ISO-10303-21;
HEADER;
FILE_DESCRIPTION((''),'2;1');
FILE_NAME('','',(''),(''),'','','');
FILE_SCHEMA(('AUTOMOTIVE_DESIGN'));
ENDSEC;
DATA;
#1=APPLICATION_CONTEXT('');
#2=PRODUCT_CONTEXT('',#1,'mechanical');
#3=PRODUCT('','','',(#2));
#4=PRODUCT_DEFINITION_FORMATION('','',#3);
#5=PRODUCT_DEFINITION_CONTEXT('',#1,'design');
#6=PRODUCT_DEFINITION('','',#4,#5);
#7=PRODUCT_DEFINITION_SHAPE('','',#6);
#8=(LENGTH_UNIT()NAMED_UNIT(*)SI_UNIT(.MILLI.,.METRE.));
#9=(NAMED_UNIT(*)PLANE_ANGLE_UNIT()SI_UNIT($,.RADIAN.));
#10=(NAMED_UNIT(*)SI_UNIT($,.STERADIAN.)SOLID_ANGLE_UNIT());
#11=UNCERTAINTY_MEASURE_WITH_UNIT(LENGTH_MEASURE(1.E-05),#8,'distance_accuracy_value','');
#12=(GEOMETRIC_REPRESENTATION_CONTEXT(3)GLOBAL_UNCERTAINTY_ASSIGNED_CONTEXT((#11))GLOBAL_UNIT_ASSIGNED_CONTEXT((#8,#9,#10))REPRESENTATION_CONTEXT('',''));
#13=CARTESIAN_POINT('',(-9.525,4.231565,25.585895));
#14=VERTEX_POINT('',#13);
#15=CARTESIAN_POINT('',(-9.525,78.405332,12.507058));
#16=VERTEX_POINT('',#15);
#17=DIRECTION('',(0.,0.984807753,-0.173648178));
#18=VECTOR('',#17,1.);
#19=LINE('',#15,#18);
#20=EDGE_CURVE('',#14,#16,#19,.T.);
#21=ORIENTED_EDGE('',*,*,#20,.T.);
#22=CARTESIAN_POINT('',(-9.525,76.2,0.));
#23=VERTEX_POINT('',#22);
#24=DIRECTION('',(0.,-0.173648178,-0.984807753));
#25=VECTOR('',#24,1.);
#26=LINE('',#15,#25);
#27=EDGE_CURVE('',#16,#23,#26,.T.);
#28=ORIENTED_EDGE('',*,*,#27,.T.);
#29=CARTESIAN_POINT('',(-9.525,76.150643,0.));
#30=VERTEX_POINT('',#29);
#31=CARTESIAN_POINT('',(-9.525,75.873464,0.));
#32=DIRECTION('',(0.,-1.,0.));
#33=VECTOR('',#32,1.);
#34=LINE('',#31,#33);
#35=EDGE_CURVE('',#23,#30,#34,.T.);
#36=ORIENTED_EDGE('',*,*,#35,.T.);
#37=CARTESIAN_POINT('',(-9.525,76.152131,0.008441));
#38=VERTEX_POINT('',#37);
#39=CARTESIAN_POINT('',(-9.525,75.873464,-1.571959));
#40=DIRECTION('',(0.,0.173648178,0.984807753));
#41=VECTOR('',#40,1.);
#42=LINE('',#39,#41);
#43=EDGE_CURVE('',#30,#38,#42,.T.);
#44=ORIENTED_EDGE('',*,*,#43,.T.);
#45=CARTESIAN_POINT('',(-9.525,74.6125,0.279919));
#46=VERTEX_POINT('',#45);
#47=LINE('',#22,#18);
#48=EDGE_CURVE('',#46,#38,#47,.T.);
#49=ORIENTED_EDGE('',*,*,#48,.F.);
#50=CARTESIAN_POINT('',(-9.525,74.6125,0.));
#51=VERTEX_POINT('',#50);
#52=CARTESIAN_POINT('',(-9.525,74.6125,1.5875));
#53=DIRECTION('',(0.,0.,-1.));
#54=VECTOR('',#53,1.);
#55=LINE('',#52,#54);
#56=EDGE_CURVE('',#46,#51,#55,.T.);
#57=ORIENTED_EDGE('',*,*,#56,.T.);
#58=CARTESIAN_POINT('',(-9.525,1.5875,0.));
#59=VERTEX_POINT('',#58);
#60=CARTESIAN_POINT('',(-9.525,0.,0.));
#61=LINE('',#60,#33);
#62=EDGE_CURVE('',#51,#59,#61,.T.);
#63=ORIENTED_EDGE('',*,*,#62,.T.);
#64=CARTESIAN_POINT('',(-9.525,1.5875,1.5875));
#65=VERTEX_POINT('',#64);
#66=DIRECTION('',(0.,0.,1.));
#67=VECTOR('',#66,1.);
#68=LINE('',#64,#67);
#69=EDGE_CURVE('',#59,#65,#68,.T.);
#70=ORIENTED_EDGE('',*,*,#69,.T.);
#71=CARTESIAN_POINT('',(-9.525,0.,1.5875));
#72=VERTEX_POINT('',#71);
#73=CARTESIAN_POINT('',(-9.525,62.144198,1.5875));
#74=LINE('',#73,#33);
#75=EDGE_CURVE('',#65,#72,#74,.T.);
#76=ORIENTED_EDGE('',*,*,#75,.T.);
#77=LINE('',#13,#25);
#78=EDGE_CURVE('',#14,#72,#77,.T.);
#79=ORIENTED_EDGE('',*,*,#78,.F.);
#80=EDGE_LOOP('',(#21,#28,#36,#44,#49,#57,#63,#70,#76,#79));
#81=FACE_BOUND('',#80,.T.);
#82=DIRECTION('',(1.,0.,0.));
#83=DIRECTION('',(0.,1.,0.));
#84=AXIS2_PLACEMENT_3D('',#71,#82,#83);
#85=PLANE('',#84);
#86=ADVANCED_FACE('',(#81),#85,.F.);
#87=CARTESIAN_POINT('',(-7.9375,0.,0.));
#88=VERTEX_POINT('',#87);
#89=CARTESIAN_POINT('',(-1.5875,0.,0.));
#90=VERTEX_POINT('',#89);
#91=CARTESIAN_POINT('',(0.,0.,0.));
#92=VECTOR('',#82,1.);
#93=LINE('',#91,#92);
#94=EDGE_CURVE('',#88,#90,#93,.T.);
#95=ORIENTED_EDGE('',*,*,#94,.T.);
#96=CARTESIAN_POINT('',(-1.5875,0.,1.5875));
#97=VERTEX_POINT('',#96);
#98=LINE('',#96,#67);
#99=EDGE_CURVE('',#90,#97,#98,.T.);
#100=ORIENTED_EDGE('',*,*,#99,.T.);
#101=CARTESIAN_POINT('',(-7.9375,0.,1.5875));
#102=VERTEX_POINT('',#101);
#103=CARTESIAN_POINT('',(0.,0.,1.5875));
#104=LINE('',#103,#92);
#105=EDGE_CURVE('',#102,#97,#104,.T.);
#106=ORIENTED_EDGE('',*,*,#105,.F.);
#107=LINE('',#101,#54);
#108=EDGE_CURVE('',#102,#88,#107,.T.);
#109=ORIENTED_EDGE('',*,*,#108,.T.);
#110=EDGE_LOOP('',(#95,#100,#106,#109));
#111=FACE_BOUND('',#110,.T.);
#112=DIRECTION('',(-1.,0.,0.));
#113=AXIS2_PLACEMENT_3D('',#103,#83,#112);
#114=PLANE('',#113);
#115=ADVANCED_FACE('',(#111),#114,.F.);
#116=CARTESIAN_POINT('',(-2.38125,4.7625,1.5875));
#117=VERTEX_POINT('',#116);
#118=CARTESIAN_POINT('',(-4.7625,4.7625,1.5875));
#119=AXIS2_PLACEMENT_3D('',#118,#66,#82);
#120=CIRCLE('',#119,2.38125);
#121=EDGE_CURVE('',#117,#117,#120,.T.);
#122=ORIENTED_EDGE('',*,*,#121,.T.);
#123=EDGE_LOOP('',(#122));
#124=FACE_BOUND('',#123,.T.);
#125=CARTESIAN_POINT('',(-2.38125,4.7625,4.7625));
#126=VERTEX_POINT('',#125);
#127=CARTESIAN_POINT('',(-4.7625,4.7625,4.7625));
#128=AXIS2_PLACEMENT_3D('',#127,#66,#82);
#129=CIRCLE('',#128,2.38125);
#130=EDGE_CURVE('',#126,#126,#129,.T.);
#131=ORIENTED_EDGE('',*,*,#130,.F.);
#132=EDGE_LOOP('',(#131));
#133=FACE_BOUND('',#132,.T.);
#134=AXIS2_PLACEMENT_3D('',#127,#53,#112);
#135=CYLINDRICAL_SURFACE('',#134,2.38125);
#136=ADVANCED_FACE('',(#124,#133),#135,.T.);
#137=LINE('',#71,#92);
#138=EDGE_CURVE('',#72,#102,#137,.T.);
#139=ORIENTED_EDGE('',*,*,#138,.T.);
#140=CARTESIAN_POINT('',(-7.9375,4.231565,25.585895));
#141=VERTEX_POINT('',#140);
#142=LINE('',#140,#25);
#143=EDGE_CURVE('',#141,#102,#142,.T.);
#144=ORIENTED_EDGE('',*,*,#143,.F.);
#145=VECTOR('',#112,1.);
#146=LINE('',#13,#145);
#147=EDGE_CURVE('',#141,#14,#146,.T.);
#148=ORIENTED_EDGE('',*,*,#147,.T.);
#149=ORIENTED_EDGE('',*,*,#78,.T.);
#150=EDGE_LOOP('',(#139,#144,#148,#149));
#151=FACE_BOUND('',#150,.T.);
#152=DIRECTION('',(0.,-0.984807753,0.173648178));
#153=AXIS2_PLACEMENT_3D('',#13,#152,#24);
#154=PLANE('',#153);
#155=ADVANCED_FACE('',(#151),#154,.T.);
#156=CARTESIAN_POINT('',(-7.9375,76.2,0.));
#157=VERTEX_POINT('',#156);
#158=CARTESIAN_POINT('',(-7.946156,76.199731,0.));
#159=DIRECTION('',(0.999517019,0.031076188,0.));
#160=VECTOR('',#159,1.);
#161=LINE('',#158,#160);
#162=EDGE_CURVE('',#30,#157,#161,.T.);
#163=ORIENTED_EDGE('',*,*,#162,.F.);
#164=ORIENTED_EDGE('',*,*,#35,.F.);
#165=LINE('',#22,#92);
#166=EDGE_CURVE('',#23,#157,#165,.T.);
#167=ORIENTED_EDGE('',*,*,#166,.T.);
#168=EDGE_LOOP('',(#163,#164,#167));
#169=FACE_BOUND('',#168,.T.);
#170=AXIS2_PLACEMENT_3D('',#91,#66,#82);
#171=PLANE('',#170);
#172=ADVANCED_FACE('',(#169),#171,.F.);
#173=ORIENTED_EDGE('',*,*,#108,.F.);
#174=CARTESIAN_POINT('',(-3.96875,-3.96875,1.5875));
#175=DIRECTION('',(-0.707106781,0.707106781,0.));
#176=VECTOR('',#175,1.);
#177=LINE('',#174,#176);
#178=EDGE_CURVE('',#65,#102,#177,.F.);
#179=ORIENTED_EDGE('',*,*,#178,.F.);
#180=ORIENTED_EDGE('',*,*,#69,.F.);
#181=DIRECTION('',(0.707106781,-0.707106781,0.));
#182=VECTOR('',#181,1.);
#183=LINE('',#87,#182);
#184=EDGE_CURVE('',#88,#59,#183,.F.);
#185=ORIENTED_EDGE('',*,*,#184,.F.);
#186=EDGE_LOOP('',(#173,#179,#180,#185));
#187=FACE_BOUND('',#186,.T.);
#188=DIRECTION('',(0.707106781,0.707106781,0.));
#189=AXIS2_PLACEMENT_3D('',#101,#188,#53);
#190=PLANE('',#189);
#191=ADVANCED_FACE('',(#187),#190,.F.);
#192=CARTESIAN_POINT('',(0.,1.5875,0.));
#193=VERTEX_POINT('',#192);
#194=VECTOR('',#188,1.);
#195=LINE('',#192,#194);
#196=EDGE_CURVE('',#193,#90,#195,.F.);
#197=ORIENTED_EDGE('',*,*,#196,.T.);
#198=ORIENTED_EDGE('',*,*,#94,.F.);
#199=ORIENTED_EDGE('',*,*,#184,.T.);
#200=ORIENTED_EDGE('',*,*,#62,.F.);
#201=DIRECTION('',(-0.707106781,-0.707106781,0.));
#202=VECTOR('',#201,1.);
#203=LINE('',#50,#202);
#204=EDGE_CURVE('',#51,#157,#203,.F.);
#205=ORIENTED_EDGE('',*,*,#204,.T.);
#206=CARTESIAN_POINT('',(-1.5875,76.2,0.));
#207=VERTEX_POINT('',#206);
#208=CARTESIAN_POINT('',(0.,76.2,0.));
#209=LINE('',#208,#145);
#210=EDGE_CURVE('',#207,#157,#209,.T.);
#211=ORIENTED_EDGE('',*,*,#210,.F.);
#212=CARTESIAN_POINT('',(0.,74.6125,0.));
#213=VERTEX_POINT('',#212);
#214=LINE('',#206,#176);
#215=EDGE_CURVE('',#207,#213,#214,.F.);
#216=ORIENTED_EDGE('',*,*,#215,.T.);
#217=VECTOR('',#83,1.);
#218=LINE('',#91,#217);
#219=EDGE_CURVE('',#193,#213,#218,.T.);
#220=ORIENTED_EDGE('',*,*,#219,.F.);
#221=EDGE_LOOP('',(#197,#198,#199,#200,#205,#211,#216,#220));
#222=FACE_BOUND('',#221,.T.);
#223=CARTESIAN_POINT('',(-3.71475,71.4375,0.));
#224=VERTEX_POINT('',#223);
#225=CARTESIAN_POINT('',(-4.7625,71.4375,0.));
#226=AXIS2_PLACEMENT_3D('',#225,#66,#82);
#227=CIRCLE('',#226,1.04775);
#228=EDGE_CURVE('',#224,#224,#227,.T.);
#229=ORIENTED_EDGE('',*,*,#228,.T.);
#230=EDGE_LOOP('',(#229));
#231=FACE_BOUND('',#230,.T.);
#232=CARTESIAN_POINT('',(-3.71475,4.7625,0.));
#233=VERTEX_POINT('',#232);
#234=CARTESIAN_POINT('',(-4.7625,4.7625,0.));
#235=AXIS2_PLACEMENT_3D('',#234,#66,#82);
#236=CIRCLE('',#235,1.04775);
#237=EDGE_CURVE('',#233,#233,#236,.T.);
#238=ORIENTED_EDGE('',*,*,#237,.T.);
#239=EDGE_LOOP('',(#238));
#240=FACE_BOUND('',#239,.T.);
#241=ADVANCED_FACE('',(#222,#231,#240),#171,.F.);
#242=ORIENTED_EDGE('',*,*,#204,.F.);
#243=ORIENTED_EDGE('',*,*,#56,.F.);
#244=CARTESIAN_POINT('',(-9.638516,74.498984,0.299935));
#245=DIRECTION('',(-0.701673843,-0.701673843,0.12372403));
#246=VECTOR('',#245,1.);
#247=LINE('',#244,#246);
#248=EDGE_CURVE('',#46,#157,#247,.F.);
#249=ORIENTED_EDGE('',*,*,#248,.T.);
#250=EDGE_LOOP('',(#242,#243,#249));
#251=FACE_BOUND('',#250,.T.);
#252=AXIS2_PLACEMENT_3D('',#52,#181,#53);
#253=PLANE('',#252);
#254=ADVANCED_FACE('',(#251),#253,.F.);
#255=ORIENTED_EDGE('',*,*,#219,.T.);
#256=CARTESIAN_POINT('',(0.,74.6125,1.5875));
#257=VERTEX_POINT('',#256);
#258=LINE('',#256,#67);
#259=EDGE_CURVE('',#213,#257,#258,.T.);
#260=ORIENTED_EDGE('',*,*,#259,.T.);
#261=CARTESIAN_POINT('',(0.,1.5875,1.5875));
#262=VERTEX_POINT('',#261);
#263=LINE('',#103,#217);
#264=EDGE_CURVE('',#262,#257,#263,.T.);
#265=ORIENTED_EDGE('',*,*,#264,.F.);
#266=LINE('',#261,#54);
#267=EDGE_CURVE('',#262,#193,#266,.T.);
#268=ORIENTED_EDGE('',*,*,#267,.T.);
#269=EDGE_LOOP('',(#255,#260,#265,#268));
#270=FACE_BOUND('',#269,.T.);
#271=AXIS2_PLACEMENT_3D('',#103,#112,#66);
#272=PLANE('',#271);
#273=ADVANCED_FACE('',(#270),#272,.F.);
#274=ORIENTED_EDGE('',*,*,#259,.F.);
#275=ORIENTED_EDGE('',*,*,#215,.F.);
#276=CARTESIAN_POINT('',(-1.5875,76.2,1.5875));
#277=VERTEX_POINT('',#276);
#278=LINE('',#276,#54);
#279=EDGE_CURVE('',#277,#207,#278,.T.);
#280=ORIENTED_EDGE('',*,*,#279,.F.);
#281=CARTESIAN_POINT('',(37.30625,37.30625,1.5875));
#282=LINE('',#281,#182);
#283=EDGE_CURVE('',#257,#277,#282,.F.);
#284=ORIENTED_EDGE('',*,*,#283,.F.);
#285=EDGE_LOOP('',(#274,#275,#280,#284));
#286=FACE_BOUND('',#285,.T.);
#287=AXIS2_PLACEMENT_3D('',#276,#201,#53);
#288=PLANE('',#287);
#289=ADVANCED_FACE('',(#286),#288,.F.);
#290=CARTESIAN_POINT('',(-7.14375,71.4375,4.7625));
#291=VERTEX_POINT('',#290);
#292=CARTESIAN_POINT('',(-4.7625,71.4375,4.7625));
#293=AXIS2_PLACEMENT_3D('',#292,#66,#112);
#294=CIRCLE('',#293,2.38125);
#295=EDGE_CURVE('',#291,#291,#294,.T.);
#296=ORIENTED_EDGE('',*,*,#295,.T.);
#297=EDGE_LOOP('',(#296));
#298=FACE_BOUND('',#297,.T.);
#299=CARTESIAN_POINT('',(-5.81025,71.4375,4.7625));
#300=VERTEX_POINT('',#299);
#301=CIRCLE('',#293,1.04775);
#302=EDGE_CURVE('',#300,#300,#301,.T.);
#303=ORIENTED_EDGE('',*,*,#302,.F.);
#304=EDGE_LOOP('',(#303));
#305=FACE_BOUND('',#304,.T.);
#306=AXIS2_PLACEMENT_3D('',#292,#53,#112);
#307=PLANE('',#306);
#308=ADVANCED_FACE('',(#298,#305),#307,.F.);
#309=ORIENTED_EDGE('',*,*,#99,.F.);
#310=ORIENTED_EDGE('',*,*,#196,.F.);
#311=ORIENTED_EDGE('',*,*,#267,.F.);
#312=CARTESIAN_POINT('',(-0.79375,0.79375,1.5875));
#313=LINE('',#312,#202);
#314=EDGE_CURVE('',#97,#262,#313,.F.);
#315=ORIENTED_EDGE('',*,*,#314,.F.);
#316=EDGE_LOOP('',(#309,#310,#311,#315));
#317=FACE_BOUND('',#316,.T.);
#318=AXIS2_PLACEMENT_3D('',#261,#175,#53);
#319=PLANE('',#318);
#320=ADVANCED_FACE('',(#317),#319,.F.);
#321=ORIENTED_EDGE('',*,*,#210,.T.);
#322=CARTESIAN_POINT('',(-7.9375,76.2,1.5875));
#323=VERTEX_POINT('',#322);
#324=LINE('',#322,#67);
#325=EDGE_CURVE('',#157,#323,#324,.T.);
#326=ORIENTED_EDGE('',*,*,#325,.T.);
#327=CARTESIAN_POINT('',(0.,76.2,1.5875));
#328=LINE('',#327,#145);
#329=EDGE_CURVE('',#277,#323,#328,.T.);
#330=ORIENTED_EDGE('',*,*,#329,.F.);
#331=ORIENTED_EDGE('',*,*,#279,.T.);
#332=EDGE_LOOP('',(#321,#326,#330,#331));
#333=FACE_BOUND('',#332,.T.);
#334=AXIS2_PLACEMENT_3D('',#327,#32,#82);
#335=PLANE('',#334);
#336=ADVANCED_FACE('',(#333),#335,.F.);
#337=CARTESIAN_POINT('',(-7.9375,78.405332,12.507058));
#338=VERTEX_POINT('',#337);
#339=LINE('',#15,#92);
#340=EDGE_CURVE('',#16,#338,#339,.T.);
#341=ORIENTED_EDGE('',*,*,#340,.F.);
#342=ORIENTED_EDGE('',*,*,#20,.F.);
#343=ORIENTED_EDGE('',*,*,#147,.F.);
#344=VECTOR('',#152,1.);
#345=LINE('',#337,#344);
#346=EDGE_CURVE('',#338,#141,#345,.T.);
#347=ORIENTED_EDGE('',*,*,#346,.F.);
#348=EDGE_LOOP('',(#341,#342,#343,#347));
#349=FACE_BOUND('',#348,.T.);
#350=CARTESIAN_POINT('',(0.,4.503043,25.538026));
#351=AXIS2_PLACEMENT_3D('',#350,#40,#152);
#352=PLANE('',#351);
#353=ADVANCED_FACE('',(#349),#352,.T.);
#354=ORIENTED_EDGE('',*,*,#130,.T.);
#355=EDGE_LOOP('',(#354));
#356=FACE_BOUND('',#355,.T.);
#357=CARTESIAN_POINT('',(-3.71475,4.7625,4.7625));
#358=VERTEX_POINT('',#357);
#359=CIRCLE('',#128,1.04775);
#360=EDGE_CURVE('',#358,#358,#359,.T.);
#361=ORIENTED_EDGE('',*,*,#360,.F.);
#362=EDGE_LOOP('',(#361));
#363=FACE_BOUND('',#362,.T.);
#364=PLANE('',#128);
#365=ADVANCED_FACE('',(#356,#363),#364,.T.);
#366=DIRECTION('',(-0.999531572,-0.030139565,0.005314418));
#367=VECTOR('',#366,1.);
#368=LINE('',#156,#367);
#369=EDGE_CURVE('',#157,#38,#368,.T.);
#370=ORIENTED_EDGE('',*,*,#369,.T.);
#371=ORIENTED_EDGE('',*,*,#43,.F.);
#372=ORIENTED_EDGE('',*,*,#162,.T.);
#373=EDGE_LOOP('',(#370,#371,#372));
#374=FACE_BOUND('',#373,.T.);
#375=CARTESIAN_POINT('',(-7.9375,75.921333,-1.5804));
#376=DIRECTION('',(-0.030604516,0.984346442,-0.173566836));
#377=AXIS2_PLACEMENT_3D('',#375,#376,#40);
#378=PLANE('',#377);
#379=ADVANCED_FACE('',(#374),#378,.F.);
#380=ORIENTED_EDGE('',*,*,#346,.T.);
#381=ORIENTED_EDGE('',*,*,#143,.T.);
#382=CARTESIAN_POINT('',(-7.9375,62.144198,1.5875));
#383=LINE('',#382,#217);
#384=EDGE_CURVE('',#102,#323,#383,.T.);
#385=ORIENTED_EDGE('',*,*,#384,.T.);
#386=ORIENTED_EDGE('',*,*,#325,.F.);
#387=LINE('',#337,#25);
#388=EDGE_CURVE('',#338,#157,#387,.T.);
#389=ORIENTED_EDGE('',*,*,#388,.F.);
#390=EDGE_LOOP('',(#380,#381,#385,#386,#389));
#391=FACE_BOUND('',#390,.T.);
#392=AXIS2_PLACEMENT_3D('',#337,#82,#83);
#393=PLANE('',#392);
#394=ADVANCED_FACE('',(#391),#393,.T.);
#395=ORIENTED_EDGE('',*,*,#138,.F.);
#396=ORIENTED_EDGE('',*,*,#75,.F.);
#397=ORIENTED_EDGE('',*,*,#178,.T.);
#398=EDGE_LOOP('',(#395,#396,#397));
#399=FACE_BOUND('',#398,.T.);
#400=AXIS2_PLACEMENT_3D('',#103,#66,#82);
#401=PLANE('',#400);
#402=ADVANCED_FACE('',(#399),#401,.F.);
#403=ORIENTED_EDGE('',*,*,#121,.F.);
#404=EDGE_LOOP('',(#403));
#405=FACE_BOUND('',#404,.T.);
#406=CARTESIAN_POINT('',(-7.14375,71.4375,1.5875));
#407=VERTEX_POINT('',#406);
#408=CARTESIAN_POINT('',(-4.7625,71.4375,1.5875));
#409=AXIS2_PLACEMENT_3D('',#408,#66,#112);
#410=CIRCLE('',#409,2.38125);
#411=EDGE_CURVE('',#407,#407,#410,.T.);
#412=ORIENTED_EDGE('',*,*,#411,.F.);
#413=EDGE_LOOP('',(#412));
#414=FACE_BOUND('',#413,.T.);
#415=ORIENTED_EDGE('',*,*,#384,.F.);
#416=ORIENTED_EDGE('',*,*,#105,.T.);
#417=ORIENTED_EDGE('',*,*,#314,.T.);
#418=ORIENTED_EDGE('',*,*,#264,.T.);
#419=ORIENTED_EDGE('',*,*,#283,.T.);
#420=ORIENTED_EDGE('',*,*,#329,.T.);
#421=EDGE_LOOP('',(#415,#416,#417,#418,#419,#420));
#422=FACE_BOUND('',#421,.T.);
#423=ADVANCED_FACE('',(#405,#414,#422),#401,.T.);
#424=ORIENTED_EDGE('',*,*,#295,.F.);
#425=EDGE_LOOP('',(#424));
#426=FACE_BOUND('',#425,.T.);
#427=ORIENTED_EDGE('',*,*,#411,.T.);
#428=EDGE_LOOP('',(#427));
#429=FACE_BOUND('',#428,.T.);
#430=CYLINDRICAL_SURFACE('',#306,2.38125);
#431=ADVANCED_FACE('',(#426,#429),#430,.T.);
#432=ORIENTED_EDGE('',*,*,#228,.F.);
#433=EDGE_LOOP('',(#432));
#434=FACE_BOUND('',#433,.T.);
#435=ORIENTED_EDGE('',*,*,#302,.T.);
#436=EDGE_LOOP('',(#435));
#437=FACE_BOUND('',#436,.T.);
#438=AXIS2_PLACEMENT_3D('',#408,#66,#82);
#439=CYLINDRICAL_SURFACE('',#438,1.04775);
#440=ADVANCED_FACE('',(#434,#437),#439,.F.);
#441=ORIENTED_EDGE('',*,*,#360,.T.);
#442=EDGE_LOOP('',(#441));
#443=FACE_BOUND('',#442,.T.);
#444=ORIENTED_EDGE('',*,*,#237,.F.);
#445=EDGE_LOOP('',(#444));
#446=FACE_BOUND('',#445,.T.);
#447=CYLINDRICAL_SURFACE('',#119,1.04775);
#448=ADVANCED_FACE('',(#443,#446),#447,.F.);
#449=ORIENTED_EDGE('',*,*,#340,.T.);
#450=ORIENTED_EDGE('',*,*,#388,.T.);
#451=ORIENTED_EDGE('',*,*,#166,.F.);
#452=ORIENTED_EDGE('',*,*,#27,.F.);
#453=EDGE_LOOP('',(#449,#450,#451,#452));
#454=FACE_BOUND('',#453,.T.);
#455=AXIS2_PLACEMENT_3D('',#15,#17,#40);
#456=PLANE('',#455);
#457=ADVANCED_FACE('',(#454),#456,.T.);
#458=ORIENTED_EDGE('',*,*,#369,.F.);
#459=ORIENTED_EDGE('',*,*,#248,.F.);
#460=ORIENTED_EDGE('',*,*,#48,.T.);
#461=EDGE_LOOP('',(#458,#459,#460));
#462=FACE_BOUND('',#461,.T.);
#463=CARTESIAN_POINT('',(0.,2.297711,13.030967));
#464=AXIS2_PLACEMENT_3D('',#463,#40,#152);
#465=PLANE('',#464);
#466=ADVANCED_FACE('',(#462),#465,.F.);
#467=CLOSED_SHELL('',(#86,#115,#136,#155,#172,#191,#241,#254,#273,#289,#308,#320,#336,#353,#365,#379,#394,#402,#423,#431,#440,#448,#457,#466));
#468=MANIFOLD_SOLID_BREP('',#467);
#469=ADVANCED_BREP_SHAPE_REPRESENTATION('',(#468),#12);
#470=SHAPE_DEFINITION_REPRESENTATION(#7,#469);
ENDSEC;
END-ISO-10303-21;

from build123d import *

# Parameters (mm, degrees)
SKETCH1_W                       = 9.525
SKETCH1_H                       = 76.2
BOSS_EXTRUDE1_DEPTH             = 1.5875
CHAMFER2_SIZE                   = 1.5875
F_97_0_0825_DIAMETER_HOLE1_D    = 2.0955
SKETCH5_R                       = 2.38125
SKETCH5_R_2                     = 1.04775
BOSS_EXTRUDE2_DEPTH             = 3.175
BOSS_EXTRUDE4_REACH             = 77.644
SKETCH7_W                       = 1.5875
SKETCH7_H                       = 75.318017262
BOSS_EXTRUDE4_DIRECTION_2_DEPTH = 12.7
BOSS_EXTRUDE5_REACH             = 79.8


with BuildPart() as part:
    # Sketch1 → Boss-Extrude1 (new body)
    with BuildSketch(Plane.XY):
        with Locations((-4.7625, 38.1)):
            Rectangle(SKETCH1_W, SKETCH1_H)
    extrude(amount=BOSS_EXTRUDE1_DEPTH)

    # Chamfer2
    chamfer2_edges = [part.edges().sort_by_distance(p)[0] for p in [
        (0, 76.2, 0.79375),
        (-9.525, 76.2, 0.79375),
        (0, 0, 0.79375),
        (-9.525, 0, 0.79375),
    ]]
    chamfer(chamfer2_edges, length=CHAMFER2_SIZE)

    # #97 (0.0825) Diameter Hole1 (through all)
    with Locations(Plane.XY.offset(1.5875)):
        with Locations((-4.7625, 4.7625), (-4.7625, 71.4375)):
            Hole(F_97_0_0825_DIAMETER_HOLE1_D / 2)

    # Sketch5 → Boss-Extrude2 (add)
    # profile 1 of 2: a face of its own
    with BuildSketch(Plane.XY.offset(1.5875)):
        with Locations((-4.7625, 4.7625)):
            Circle(SKETCH5_R)
        with Locations((-4.7625, 4.7625)):
            Circle(SKETCH5_R_2, mode=Mode.SUBTRACT)
    # profile 2 of 2: a face of its own
    with BuildSketch(Plane.XY.offset(1.5875)):
        with Locations((-4.7625, 71.4375)):
            Circle(SKETCH5_R)
        with Locations((-4.7625, 71.4375)):
            Circle(SKETCH5_R_2, mode=Mode.SUBTRACT)
    extrude(amount=BOSS_EXTRUDE2_DEPTH)

    # Boss-Extrude4: up to this face of the body (flat: up to its plane)
    boss_extrude4_end = Plane(part.part.faces().sort_by_distance((-4.7625, 38.1, 1.5875))[0])
    # Sketch7 → Boss-Extrude4 (add, up to the picked face)
    with BuildSketch(Plane(origin=(0, 2.297711148, 13.030967461), x_dir=(-1, 0, 0), z_dir=(0, -0.1736481776669307, -0.984807753012208)), mode=Mode.PRIVATE) as boss_extrude4_sk1:
        with Locations((8.73125, 37.383342149)):
            Rectangle(SKETCH7_W, SKETCH7_H)
    boss_extrude4_tool1 = split(extrude(boss_extrude4_sk1.sketch, amount=BOSS_EXTRUDE4_REACH, mode=Mode.PRIVATE), bisect_by=boss_extrude4_end, keep=Keep.BOTH, mode=Mode.PRIVATE)
    add(boss_extrude4_tool1.solids().sort_by(Axis((-8.73125, 39.113116, 6.539418), (0, -0.1736481776669307, -0.984807753012208)))[0])

    # Sketch7 → Boss-Extrude4 direction 2 (add)
    with BuildSketch(Plane(origin=(0, 2.297711148, 13.030967461), x_dir=(-1, 0, 0), z_dir=(0, -0.1736481776669307, -0.984807753012208))):
        with Locations((8.73125, 37.383342149)):
            Rectangle(SKETCH7_W, SKETCH7_H)
    extrude(amount=-BOSS_EXTRUDE4_DIRECTION_2_DEPTH)

    # Boss-Extrude5: up to this face of the body (flat: up to its plane)
    boss_extrude5_end = Plane(part.part.faces().sort_by_distance((-4.7625, 38.1, 0))[0])
    # Sketch8 → Boss-Extrude5 (add, up to the picked face)
    with BuildSketch(Plane(origin=(0, 2.297711148, 13.030967461), x_dir=(-1, 0, 0), z_dir=(0, -0.17364817766693066, -0.9848077530122081)), mode=Mode.PRIVATE) as boss_extrude5_sk1:
        Polygon((9.525, 74.993743341), (9.525, 75.04235078), (7.9375, 75.04235078), align=None)
    boss_extrude5_tool1 = split(extrude(boss_extrude5_sk1.sketch, amount=BOSS_EXTRUDE5_REACH, mode=Mode.PRIVATE), bisect_by=boss_extrude5_end, keep=Keep.BOTH, mode=Mode.PRIVATE)
    add(boss_extrude5_tool1.solids().sort_by(Axis((-8.995833, 76.184044, 0.002814), (0, -0.17364817766693066, -0.9848077530122081)))[0])


solid = part.part
